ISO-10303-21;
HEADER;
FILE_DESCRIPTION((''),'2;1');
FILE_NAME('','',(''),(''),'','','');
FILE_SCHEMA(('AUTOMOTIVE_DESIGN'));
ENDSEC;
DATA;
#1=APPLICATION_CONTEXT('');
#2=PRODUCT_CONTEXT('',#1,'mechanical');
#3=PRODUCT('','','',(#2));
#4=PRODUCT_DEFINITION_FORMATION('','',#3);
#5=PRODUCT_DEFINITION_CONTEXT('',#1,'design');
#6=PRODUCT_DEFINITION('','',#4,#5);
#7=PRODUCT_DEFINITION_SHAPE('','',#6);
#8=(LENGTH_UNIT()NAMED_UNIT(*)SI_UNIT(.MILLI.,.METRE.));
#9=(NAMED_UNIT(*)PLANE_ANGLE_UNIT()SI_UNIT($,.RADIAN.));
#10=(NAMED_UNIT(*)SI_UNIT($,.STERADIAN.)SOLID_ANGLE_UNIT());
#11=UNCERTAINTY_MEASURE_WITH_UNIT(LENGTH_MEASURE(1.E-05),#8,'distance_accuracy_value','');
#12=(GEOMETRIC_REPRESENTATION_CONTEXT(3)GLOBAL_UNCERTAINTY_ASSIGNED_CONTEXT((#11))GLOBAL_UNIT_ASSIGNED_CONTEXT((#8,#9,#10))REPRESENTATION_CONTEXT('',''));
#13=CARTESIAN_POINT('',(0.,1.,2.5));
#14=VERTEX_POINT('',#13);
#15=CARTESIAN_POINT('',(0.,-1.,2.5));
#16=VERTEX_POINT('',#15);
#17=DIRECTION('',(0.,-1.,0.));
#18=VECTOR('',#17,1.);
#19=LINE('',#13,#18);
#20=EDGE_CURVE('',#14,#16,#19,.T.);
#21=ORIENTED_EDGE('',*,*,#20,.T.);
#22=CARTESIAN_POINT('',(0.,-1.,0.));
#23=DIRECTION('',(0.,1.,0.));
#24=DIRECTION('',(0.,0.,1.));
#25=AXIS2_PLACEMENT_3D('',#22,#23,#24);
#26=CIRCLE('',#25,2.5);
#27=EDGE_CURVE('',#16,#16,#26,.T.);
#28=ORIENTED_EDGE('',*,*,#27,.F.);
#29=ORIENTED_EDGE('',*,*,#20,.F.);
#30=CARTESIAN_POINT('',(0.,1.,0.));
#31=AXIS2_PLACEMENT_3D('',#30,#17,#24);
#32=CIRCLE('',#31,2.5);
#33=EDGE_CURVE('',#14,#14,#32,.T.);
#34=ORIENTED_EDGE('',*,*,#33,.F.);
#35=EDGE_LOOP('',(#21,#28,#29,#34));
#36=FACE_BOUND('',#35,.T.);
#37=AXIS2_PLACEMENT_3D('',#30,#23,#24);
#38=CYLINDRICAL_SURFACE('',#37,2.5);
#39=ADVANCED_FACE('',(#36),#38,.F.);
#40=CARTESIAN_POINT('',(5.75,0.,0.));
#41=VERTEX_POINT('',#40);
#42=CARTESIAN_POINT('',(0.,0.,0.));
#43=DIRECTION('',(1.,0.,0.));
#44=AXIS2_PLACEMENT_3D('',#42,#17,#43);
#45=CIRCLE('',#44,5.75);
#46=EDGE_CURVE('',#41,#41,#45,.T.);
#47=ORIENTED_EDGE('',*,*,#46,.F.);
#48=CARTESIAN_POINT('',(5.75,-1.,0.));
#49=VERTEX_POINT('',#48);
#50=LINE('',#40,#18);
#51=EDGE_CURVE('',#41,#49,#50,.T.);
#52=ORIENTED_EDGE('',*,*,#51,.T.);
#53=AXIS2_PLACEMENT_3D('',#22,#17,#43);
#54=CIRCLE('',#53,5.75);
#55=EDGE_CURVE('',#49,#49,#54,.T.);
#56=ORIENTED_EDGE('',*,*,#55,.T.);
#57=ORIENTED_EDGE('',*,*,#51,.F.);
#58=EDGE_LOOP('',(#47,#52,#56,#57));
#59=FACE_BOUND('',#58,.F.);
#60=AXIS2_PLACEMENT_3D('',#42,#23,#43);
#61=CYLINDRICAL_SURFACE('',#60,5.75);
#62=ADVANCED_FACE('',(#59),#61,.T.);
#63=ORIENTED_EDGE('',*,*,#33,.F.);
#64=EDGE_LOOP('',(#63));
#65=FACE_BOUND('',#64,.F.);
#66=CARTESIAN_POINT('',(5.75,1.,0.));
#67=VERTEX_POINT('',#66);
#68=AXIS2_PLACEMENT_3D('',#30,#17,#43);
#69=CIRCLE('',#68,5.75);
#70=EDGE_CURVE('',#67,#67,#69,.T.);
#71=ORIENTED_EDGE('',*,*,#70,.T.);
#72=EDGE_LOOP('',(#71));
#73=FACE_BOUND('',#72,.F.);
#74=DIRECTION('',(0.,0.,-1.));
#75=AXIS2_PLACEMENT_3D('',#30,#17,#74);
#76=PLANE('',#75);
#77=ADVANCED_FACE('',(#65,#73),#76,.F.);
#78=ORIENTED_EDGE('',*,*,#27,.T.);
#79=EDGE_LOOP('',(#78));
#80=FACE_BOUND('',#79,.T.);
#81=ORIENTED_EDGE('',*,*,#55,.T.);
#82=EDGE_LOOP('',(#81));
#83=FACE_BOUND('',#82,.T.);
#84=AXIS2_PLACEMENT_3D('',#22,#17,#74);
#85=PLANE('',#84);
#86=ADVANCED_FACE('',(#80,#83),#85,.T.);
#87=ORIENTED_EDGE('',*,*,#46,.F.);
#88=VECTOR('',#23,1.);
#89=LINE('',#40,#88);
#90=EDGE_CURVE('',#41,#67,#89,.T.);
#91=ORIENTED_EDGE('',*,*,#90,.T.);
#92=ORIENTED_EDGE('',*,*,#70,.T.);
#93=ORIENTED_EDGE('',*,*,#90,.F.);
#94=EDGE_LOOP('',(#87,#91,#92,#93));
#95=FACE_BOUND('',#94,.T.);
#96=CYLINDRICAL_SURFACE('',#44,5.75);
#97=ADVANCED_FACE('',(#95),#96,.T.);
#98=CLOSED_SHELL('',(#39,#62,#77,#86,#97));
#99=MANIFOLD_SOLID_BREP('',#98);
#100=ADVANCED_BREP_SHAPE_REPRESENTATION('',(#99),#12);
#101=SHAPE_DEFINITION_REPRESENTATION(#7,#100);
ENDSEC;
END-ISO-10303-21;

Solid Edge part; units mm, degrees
sketch "Sketch1" plane through (0, 0, 0) normal (0, -1, 0) x (1, 0, 0)
  circle A0 centre (0, 0) radius 5.75
extrude "Protrusion1" add sketch "Sketch1" along normal mid plane 2
hole "Hole_1" at (0, 1, 0) direction (0, -1, 0) diameter 5 end up to next
